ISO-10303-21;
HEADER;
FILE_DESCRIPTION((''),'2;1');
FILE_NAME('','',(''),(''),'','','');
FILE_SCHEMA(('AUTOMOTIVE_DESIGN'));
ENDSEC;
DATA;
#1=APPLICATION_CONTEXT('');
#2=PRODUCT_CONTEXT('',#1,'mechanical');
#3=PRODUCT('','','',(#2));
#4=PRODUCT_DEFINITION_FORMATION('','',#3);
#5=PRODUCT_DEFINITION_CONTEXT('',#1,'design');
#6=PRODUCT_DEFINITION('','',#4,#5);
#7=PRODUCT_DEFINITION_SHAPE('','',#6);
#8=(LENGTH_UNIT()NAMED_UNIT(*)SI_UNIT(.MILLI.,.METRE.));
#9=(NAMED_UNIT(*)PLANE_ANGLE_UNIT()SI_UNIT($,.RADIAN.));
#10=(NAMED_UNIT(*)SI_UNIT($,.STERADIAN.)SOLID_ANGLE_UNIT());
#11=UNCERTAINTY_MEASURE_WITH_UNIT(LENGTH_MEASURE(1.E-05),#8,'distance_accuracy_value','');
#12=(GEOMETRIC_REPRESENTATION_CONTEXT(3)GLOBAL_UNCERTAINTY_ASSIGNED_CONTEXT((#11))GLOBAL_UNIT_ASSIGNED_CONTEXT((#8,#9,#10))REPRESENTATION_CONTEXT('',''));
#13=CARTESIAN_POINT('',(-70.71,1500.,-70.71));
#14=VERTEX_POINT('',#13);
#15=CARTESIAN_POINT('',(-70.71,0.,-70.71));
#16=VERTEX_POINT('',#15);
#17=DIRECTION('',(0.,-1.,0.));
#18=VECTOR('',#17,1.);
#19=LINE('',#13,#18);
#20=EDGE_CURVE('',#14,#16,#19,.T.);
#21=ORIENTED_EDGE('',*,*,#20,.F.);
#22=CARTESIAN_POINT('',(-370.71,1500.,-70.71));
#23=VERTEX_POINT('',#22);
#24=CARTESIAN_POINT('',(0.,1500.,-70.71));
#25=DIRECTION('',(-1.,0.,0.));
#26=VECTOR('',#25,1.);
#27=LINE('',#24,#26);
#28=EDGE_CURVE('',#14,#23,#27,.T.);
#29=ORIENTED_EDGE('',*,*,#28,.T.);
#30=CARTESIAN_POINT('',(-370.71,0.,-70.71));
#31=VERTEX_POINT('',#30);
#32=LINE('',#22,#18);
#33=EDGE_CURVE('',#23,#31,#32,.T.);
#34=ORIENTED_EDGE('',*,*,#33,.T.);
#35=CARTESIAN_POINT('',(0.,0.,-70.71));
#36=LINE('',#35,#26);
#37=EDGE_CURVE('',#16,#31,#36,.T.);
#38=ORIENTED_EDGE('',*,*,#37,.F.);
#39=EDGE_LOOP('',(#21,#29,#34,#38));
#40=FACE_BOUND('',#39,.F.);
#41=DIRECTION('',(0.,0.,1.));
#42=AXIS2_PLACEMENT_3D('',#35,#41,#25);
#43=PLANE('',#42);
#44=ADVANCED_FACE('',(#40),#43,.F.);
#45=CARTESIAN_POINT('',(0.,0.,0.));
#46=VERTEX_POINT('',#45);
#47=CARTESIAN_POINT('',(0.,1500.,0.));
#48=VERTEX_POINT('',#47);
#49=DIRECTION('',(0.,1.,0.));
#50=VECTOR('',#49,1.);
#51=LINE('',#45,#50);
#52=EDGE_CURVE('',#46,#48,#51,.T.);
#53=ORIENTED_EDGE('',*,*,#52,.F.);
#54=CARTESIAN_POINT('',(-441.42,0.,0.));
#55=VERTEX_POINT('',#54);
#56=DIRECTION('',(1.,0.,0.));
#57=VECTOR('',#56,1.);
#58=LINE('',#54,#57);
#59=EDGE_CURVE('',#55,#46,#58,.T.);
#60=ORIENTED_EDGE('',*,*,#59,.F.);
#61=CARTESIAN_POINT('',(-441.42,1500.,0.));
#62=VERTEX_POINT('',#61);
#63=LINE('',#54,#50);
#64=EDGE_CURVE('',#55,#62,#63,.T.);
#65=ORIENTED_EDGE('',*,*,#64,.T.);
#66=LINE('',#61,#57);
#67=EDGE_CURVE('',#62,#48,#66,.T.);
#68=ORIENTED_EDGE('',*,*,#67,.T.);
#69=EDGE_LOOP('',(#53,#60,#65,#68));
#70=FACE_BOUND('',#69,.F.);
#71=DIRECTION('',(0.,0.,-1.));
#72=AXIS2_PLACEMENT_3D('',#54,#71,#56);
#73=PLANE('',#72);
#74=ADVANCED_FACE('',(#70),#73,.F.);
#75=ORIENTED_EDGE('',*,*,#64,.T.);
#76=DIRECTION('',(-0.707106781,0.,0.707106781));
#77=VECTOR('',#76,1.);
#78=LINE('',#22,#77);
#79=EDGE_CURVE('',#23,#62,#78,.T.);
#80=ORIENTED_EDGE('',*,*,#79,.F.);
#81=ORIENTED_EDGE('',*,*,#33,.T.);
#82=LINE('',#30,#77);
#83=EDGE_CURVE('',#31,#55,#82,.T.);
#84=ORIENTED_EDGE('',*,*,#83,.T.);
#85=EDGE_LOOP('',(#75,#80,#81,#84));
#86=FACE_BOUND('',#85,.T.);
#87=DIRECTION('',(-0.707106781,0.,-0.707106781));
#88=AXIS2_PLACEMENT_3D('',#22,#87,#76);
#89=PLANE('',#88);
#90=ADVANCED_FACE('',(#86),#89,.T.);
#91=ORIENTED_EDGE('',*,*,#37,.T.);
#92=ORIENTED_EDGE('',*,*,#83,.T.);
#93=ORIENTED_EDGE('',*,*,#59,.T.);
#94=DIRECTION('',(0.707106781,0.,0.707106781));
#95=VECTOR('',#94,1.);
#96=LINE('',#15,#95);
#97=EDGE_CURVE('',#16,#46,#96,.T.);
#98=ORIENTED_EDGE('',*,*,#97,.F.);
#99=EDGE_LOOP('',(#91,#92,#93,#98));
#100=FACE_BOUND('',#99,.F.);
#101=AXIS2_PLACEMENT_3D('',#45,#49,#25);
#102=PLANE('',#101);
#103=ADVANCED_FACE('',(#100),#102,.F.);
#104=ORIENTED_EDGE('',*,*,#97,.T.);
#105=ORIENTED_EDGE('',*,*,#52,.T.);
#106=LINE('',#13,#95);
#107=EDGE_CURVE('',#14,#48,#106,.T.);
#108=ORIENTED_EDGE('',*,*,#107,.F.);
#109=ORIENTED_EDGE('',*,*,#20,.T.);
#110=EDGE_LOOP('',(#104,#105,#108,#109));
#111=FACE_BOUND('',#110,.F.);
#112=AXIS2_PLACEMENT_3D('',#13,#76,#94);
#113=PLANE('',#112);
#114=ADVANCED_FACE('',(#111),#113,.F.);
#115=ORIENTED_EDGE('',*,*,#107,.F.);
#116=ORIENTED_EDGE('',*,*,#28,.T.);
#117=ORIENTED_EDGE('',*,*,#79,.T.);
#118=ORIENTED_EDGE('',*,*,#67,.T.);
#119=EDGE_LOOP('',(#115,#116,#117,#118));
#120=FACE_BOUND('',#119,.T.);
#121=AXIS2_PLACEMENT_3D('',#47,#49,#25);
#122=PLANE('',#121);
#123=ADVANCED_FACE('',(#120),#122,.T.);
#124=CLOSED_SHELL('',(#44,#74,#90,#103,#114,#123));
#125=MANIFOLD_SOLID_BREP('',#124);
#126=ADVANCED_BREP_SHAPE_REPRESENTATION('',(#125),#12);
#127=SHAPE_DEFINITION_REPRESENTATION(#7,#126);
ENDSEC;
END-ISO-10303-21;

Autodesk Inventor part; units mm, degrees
ref_plane "YZ Plane" through (0, 0, 0) normal (1, 0, 0) x (0, 1, 0)
ref_plane "XZ Plane" through (0, 0, 0) normal (0, 1, 0) x (-1, 0, 0)
ref_plane "XY Plane" through (0, 0, 0) normal (0, 0, 1) x (1, 0, 0)
sketch "Sketch2" plane through (0, 0, 0) normal (0, 1, 0) x (-1, 0, 0)
  line L0 (0, -70.71) -> (441.42, -70.71)
  line L1 (441.42, -70.71) -> (441.42, 0)
  line L2 (441.42, 0) -> (0, 0)
  line L3 (0, 0) -> (0, -70.71)
  dimension "d2" = 441.42
  dimension "d3" = 70.71
extrude "Extrusion1" add sketch "Sketch2" along normal blind 1500
sketch "Sketch3" plane through (0, 1500, 0) normal (0, 1, 0) x (1, 0, 0)
  line L0 (0, 70.71) -> (-441.42, 70.71) projected
  line L1 (-441.42, 0) -> (0, 0) projected
  line L2 (-370.71, 70.71) -> (-441.42, 0)
  line L3 (-70.71, 70.71) -> (0, 0)
  line L4 (-441.42, 70.71) -> (-441.42, 0) projected
  line L5 (-441.42, 70.71) -> (-441.42, 0)
  line L6 (-441.42, 70.71) -> (-370.71, 70.71)
  line L7 (0, 0) -> (0, 70.71)
  line L8 (-70.71, 70.71) -> (0, 70.71)
  dimension "d6" = 70.71
  dimension "d7" = 70.71
extrude "Extrusion2" cut sketch "Sketch3" against normal blind 1500 contours L7 L3 L0 | L2 L4 L0
properties part number "Fetch Charing Dock"
